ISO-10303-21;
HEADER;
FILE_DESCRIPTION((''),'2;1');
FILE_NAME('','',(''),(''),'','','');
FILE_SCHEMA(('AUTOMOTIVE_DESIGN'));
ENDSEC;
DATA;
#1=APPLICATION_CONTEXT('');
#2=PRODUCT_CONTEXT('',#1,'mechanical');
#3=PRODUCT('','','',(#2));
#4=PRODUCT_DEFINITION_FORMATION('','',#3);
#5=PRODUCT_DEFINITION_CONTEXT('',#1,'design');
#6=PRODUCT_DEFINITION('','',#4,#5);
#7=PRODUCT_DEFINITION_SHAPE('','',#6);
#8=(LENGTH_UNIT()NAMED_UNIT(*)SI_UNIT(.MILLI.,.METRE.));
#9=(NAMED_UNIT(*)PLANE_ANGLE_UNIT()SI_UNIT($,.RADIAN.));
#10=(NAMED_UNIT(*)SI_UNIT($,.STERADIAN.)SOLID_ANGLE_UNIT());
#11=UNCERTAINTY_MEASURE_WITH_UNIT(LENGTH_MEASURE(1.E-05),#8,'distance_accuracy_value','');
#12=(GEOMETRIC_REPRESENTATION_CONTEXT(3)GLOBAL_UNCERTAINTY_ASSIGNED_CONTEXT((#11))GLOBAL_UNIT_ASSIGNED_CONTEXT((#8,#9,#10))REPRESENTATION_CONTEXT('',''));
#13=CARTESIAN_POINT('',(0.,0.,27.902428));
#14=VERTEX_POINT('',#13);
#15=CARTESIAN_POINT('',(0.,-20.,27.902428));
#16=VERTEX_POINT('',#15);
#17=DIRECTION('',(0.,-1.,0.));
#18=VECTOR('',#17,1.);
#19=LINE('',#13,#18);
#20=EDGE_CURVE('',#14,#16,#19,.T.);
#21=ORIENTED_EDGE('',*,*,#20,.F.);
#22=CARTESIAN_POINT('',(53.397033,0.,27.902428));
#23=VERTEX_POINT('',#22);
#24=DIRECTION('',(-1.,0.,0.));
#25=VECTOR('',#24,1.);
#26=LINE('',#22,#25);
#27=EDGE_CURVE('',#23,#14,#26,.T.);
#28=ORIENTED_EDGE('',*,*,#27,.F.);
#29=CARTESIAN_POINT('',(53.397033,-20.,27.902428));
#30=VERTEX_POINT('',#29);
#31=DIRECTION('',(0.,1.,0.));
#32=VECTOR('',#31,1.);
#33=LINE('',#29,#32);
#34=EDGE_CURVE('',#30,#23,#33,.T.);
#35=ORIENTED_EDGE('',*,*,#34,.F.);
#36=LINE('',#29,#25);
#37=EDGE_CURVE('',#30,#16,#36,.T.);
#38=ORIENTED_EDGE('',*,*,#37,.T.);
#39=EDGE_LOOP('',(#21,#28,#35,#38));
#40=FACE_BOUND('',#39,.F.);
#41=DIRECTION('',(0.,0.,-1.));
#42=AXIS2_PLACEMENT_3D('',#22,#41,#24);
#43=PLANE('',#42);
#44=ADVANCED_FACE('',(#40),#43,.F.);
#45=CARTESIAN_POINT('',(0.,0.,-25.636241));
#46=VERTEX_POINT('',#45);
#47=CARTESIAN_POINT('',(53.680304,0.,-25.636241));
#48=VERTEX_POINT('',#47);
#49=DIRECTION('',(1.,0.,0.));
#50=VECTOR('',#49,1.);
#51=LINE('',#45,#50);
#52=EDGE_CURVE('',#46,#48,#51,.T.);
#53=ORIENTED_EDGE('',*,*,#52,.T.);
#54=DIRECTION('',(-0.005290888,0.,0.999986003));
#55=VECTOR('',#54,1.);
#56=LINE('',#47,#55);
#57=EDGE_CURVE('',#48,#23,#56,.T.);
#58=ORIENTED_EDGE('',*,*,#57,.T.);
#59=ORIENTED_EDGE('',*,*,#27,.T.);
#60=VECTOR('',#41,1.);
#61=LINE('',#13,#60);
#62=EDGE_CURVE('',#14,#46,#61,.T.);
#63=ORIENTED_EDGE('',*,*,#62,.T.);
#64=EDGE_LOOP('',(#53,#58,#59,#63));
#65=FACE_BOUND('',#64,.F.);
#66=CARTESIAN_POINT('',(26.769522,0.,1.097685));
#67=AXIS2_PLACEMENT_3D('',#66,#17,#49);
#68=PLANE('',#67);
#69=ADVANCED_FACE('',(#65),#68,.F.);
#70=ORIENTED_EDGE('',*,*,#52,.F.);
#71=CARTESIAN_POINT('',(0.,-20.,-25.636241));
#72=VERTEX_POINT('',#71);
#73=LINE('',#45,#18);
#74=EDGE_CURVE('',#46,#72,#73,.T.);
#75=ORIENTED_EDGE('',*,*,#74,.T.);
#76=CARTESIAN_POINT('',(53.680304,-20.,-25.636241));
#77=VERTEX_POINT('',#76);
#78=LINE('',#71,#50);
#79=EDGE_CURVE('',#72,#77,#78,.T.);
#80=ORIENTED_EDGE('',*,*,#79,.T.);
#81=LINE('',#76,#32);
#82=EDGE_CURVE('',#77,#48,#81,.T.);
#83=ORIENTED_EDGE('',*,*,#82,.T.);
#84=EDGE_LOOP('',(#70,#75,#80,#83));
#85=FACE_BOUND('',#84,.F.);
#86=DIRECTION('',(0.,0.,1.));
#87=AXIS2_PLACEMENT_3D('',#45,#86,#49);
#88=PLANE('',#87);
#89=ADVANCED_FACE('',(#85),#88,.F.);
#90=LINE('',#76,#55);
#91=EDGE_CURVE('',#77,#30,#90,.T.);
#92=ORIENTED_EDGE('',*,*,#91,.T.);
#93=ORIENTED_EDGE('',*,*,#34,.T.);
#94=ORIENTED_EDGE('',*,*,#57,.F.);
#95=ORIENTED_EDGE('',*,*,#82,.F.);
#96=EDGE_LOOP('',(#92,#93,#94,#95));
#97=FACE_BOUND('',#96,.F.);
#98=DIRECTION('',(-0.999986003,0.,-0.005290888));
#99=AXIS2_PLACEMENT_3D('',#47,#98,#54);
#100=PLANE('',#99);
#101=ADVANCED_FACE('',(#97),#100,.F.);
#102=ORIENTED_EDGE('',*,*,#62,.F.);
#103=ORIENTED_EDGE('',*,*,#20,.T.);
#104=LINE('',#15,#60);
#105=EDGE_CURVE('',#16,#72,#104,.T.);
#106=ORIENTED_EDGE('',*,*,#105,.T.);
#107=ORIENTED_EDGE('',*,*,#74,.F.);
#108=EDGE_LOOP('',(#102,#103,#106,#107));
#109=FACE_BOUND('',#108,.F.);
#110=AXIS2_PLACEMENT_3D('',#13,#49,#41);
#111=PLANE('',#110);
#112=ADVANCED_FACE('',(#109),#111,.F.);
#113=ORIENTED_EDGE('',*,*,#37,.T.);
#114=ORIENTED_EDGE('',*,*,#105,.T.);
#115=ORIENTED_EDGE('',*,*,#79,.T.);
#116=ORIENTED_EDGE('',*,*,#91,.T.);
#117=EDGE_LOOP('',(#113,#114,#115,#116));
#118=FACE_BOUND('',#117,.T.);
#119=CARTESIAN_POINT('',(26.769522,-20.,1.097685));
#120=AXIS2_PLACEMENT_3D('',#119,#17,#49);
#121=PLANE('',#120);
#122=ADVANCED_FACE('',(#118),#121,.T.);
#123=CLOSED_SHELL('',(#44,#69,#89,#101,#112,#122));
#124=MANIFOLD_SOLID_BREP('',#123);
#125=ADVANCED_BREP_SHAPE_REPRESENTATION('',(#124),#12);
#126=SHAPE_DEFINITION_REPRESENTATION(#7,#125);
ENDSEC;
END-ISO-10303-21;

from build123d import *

# Parameters (mm, degrees)
F1_DEPTH = 20
F2_DEPTH = 10


with BuildPart() as f1:
    # F0 (on Front) → F1 (new body)
    with BuildSketch(Plane.XZ):
        Polygon((53.3970333636, 27.9024280608), (0, 27.9024280608), (0, -25.63624084), (53.6803044379, -25.63624084), align=None)
    extrude(amount=F1_DEPTH)

    # F0 (on Front) + F1_face (on face) → F2 (join)
    with BuildSketch(Plane.XZ):
        Polygon((53.3970333636, 27.9024280608), (0, 27.9024280608), (0, -25.63624084), (53.6803044379, -25.63624084), align=None)
    with BuildSketch(Plane(origin=(26.7693968994, 0, 1.1094876875), x_dir=(1, 0, 0), z_dir=(0, 1, 0))):
        Polygon((-26.7693968994, -26.7929403732), (26.6276364642, -26.7929403732), (26.9109075385, 26.7457285275), (-26.7693968994, 26.7457285275), align=None)
    extrude(amount=F2_DEPTH, dir=(0, -1, 0))


solid = f1.part
